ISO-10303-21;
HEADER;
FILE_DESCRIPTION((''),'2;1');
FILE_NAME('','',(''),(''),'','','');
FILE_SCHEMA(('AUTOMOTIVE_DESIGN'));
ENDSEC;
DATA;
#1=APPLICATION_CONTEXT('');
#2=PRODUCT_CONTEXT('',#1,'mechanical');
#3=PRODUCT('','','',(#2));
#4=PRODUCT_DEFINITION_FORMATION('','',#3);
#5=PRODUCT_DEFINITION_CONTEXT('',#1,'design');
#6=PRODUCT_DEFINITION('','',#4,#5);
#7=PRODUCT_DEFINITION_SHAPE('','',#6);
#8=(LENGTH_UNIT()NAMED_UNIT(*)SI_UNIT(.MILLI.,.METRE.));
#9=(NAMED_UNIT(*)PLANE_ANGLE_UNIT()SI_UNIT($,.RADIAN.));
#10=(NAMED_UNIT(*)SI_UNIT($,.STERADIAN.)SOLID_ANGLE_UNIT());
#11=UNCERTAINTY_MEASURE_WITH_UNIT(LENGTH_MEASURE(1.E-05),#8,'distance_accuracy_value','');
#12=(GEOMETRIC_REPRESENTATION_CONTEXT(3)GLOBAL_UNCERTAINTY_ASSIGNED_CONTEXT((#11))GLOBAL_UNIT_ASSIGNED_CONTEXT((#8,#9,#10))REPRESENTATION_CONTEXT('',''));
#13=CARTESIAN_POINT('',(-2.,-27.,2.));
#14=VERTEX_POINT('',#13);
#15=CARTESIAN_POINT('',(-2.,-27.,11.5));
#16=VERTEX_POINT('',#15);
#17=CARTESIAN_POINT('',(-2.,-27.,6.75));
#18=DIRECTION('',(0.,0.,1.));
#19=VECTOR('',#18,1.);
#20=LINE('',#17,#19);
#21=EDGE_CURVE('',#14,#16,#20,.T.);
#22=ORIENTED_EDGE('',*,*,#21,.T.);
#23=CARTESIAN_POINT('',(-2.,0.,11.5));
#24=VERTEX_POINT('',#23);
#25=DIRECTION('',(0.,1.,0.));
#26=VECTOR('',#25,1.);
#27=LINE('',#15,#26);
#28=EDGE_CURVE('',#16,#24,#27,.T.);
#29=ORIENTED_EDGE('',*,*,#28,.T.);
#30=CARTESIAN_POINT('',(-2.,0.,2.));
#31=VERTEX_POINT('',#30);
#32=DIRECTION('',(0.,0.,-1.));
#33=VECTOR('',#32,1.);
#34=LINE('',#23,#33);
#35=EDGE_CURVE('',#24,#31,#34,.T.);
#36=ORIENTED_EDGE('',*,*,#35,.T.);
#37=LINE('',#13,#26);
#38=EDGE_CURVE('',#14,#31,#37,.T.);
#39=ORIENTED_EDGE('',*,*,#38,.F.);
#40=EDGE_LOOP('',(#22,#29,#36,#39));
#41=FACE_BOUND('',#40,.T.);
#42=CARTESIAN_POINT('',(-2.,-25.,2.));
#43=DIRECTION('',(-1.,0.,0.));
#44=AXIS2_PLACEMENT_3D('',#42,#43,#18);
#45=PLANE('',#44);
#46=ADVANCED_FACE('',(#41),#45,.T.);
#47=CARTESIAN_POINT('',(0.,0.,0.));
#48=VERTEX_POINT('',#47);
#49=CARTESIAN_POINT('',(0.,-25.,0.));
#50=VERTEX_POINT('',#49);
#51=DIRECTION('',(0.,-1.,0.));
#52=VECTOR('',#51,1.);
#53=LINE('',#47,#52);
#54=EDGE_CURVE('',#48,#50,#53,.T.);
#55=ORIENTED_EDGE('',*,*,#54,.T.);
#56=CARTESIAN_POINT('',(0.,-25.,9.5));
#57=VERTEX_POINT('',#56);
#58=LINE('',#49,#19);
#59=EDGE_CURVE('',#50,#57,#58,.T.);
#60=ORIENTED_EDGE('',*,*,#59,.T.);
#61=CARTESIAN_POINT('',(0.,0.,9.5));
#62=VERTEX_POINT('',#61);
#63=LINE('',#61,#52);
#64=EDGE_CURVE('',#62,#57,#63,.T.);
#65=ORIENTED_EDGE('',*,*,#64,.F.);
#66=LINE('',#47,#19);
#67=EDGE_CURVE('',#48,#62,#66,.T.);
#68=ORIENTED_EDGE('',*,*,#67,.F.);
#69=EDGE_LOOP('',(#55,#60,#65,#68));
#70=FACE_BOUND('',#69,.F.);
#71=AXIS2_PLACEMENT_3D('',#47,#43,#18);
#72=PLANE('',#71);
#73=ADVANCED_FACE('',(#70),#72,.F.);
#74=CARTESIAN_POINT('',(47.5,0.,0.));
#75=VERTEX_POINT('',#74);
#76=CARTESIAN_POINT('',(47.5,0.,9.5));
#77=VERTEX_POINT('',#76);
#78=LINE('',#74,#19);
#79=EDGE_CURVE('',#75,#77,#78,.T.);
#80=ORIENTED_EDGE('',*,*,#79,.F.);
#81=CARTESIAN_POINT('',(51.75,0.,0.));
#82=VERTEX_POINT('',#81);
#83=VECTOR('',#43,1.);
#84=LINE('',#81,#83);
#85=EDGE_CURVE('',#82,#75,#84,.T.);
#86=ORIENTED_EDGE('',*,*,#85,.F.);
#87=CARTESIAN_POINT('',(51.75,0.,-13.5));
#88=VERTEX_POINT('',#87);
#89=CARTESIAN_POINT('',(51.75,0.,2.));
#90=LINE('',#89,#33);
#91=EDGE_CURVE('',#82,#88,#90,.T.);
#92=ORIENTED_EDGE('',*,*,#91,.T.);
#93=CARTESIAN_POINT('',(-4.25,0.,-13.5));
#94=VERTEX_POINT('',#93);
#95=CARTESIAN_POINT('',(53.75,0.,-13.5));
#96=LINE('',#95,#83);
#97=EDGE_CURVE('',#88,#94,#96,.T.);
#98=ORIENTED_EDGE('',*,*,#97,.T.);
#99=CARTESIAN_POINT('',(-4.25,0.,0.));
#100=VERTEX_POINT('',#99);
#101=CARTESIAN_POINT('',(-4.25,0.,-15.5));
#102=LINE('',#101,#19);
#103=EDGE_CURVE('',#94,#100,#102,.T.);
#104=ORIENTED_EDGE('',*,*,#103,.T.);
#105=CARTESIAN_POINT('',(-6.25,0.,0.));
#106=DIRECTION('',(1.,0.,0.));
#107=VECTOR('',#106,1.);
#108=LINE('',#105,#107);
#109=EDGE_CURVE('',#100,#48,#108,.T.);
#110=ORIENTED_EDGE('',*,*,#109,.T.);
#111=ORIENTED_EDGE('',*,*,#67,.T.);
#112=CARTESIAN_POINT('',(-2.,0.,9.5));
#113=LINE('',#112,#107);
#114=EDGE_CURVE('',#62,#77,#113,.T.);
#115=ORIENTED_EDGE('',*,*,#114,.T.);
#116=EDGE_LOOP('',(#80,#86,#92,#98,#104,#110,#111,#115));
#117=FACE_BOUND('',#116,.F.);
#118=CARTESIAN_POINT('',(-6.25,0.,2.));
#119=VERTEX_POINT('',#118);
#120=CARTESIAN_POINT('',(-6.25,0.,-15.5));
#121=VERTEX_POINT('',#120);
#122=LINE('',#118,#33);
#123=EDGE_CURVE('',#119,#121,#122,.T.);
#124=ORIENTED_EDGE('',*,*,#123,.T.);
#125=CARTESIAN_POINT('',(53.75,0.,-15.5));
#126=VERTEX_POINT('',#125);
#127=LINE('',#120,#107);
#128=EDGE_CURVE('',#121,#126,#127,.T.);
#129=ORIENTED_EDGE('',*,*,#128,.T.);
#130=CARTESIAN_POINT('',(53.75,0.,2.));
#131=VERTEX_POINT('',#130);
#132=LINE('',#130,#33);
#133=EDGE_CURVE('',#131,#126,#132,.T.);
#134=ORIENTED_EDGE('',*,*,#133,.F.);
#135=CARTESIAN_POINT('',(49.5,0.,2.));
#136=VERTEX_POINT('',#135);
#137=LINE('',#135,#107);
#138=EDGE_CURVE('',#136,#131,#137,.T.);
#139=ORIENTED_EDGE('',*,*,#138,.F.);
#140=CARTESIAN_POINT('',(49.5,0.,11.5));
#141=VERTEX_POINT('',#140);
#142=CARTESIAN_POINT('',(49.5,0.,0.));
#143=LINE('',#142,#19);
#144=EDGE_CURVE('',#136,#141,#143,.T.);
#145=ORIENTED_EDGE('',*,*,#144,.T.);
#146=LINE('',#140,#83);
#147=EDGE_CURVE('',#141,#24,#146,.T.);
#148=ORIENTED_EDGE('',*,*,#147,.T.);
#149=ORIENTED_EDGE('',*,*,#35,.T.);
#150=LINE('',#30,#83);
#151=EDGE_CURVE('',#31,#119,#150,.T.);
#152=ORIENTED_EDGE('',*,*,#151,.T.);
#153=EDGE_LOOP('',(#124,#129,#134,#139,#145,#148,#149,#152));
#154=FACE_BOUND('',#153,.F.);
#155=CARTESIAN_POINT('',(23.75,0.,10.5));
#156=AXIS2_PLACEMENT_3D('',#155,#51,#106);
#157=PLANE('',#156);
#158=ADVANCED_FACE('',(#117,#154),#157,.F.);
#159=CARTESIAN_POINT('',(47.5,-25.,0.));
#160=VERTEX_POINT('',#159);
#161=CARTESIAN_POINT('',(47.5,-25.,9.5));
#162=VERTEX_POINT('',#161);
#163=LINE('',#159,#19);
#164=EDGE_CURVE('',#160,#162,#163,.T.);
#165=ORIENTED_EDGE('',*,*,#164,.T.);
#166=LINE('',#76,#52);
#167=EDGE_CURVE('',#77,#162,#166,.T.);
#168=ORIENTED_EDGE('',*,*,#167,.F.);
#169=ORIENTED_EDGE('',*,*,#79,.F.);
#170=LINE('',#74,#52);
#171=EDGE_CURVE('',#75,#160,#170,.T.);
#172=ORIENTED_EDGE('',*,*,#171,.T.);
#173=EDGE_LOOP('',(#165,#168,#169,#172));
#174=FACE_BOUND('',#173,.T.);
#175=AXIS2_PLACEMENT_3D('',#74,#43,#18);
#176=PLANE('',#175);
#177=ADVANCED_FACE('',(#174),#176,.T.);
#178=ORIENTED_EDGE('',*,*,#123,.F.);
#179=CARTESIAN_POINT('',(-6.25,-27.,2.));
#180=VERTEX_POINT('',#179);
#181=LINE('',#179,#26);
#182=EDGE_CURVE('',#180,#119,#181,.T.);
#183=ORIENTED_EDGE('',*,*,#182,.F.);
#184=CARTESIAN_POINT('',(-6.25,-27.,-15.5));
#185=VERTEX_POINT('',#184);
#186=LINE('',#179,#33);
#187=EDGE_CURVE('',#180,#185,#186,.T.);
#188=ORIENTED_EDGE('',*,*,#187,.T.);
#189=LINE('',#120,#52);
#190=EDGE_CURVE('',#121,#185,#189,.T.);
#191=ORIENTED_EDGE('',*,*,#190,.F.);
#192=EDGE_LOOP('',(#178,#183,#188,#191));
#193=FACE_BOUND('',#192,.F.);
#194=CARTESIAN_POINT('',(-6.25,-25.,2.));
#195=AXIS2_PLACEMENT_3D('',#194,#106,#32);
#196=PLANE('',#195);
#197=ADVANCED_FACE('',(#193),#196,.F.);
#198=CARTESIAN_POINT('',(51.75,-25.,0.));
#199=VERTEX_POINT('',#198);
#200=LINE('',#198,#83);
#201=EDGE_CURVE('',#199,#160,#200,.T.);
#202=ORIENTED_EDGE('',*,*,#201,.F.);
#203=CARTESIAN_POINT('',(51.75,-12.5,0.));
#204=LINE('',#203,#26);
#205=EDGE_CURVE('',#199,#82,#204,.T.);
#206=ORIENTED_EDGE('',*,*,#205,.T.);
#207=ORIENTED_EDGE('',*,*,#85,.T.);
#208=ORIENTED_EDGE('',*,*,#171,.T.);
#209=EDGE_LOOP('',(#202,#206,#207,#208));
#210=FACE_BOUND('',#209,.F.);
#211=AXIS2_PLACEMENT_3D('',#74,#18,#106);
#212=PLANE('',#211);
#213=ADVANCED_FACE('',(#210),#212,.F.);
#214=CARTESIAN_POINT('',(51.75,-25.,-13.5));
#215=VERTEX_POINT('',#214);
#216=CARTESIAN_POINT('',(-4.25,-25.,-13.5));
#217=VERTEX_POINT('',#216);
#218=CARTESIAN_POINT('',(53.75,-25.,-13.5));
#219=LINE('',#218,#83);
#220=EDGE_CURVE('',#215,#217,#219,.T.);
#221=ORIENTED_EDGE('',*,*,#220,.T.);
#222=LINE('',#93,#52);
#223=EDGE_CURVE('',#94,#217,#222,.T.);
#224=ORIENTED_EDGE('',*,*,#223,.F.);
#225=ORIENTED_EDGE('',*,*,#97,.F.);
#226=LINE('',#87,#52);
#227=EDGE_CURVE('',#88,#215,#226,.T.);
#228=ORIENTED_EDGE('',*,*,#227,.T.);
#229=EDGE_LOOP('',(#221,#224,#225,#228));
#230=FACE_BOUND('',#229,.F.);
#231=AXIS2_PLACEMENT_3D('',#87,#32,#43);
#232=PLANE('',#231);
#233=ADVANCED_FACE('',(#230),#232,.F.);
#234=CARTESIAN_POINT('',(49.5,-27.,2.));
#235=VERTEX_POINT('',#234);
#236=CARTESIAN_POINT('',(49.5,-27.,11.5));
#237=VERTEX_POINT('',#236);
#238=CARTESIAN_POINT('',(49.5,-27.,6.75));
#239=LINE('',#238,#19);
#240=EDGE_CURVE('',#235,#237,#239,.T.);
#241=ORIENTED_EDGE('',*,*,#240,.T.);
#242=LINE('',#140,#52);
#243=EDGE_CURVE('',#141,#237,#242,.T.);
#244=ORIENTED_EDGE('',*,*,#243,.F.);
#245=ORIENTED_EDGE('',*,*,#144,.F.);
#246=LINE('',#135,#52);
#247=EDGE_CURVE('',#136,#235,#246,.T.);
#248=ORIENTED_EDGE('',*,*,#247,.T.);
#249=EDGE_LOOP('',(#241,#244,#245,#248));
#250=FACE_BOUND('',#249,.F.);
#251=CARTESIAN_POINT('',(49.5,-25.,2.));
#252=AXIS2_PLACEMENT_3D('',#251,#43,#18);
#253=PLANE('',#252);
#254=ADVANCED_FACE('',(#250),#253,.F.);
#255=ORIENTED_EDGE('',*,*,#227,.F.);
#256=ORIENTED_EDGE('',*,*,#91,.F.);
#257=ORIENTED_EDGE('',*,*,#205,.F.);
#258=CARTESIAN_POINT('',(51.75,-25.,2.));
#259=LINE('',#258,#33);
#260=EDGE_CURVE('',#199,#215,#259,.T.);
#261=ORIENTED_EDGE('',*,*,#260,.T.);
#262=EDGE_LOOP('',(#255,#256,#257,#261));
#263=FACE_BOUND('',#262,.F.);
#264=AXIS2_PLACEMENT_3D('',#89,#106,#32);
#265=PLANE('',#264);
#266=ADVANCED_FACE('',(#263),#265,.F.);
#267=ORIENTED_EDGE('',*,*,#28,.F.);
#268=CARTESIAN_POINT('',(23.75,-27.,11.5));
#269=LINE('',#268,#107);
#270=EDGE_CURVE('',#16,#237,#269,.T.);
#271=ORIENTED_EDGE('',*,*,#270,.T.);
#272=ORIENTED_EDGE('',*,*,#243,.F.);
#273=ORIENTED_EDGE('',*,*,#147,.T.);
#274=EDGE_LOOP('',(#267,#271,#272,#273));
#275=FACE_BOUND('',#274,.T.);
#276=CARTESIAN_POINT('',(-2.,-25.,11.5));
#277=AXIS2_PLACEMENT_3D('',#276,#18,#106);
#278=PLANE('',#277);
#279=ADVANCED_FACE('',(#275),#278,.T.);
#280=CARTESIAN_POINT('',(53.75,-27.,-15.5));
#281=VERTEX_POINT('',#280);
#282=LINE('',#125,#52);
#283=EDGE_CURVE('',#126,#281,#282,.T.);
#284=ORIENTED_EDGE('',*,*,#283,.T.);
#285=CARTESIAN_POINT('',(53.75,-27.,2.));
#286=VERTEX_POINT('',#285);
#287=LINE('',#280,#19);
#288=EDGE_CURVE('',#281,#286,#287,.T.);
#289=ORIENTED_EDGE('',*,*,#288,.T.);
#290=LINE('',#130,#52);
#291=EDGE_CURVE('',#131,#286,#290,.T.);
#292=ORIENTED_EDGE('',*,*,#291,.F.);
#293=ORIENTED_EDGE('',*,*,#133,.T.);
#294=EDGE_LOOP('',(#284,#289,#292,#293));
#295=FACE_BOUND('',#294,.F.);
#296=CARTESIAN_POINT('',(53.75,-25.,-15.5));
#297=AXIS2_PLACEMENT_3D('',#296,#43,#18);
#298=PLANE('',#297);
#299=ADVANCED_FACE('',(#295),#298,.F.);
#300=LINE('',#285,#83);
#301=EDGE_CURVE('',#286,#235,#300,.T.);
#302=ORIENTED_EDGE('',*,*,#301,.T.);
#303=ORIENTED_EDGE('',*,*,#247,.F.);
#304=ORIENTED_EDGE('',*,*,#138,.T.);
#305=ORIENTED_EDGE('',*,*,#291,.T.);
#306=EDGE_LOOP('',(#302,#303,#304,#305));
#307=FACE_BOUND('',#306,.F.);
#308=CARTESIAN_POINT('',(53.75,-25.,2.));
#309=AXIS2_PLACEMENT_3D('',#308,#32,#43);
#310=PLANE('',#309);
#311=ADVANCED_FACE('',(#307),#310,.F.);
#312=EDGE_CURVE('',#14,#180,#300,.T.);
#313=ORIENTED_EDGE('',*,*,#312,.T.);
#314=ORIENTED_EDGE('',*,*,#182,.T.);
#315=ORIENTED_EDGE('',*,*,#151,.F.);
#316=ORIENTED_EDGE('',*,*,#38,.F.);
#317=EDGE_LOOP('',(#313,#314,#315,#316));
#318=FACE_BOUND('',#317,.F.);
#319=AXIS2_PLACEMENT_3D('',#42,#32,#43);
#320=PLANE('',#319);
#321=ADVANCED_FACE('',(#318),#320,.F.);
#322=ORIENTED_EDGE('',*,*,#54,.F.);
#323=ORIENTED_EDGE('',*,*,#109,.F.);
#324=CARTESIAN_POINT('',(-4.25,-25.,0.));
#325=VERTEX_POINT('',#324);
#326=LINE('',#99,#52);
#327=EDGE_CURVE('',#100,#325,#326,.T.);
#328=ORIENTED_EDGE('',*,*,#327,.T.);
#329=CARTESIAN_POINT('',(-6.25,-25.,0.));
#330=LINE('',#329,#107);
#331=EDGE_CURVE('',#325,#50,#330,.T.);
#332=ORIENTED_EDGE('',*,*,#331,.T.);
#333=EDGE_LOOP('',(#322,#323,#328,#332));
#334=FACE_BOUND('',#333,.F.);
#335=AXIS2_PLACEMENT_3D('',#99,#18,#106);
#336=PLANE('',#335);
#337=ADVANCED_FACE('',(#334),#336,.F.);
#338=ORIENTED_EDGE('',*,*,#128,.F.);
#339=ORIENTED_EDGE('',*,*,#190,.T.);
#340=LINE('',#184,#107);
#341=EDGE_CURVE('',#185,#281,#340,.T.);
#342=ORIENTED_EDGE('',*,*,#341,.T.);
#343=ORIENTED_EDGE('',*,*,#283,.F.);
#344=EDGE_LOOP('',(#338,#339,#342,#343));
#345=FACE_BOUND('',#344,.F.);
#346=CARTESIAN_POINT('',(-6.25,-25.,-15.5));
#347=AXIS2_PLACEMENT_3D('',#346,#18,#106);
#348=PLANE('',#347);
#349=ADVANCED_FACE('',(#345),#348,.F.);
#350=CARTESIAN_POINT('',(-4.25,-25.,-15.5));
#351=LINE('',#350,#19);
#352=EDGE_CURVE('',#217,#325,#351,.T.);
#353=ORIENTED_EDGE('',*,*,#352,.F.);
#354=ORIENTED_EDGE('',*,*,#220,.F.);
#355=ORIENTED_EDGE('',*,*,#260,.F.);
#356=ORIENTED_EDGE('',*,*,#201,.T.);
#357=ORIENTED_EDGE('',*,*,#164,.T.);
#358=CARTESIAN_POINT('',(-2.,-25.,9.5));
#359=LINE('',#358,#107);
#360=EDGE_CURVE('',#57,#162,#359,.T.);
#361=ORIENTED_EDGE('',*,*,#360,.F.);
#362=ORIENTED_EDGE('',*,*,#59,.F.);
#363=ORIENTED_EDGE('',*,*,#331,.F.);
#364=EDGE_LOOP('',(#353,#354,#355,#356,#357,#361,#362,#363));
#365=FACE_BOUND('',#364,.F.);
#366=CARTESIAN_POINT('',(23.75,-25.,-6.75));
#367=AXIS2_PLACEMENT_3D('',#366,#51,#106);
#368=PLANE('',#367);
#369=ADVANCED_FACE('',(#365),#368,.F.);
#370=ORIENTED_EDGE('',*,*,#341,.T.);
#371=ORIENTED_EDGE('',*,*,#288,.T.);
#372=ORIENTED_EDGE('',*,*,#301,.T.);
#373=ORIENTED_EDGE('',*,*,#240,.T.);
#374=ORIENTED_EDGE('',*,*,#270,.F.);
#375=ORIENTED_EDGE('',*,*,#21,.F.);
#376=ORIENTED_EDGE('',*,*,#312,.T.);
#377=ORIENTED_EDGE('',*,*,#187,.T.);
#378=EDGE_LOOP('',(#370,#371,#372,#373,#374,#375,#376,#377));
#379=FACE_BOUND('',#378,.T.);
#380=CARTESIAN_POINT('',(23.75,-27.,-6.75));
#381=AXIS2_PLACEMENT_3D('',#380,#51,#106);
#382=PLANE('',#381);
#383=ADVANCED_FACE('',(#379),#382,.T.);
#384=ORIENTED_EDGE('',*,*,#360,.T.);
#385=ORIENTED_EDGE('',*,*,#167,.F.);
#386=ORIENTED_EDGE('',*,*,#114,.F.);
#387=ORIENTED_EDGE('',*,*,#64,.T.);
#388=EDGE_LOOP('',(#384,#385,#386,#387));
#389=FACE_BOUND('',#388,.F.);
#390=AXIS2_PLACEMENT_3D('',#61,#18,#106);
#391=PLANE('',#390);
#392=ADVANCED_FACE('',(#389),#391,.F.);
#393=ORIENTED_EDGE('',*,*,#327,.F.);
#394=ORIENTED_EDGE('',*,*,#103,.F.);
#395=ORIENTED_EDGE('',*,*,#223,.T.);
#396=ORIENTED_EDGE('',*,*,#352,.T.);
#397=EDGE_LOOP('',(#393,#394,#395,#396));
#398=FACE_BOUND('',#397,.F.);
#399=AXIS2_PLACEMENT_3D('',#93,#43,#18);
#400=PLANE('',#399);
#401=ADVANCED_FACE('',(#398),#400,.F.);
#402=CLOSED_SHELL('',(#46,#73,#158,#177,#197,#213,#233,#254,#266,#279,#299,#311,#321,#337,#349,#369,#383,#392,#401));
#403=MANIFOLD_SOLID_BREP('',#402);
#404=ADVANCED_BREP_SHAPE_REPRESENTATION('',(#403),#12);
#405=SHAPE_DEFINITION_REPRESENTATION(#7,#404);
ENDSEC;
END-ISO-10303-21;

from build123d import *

# Parameters (mm, degrees)
F0_W     = 47.5
F0_H     = 2
F0_W_2   = 2
F0_W_3   = 2.25
F0_H_2   = 13.5
F0_W_4   = 56
F0_H_3   = 9.5
F1_DEPTH = 25
F2_W     = 6.25
F2_H     = 2
F3_DEPTH = 25
F4_W     = 51.5
F4_H     = 9.5
F5_DEPTH = 2


with BuildPart() as f1:
    # F0 (on Front) → F1 (new body)
    with BuildSketch(Plane.XZ):
        with Locations((23.75, 10.5)):
            Rectangle(F0_W, F0_H)
        with Locations((-1, 10.5)):
            Rectangle(F0_W_2, F0_H)
        Polygon((-2, 0), (0, 0), (0, 9.5), (-2, 9.5), (-2, 2), align=None)
        with Locations((-3.125, 1)):
            Rectangle(F0_W_3, F0_H)
        with Locations((-5.25, 1)):
            Rectangle(F0_W_2, F0_H)
        with Locations((-5.25, -6.75)):
            Rectangle(F0_W_2, F0_H_2)
        with Locations((-5.25, -14.5)):
            Rectangle(F0_W_2, F0_H)
        with Locations((23.75, -14.5)):
            Rectangle(F0_W_4, F0_H)
        with Locations((52.75, -14.5)):
            Rectangle(F0_W_2, F0_H)
        with Locations((52.75, -6.75)):
            Rectangle(F0_W_2, F0_H_2)
        with Locations((52.75, 1)):
            Rectangle(F0_W_2, F0_H)
        with Locations((48.5, 4.75)):
            Rectangle(F0_W_2, F0_H_3)
        with Locations((48.5, 10.5)):
            Rectangle(F0_W_2, F0_H)
    extrude(amount=F1_DEPTH)

    # F2 (on face) → F3 (join)
    with BuildSketch(Plane.XZ.offset(25)):
        with Locations((50.625, 1)):
            Rectangle(F2_W, F2_H)
    extrude(amount=-F3_DEPTH)

    # F4 (on face) → F5 (join)
    with BuildSketch(Plane.XZ.offset(25)):
        Polygon((-6.25, 2), (-6.25, -15.5), (53.75, -15.5), (53.75, 2), (49.5, 2), (-2, 2), align=None)
        with Locations((23.75, 6.75)):
            Rectangle(F4_W, F4_H)
    extrude(amount=F5_DEPTH)


solid = f1.part
